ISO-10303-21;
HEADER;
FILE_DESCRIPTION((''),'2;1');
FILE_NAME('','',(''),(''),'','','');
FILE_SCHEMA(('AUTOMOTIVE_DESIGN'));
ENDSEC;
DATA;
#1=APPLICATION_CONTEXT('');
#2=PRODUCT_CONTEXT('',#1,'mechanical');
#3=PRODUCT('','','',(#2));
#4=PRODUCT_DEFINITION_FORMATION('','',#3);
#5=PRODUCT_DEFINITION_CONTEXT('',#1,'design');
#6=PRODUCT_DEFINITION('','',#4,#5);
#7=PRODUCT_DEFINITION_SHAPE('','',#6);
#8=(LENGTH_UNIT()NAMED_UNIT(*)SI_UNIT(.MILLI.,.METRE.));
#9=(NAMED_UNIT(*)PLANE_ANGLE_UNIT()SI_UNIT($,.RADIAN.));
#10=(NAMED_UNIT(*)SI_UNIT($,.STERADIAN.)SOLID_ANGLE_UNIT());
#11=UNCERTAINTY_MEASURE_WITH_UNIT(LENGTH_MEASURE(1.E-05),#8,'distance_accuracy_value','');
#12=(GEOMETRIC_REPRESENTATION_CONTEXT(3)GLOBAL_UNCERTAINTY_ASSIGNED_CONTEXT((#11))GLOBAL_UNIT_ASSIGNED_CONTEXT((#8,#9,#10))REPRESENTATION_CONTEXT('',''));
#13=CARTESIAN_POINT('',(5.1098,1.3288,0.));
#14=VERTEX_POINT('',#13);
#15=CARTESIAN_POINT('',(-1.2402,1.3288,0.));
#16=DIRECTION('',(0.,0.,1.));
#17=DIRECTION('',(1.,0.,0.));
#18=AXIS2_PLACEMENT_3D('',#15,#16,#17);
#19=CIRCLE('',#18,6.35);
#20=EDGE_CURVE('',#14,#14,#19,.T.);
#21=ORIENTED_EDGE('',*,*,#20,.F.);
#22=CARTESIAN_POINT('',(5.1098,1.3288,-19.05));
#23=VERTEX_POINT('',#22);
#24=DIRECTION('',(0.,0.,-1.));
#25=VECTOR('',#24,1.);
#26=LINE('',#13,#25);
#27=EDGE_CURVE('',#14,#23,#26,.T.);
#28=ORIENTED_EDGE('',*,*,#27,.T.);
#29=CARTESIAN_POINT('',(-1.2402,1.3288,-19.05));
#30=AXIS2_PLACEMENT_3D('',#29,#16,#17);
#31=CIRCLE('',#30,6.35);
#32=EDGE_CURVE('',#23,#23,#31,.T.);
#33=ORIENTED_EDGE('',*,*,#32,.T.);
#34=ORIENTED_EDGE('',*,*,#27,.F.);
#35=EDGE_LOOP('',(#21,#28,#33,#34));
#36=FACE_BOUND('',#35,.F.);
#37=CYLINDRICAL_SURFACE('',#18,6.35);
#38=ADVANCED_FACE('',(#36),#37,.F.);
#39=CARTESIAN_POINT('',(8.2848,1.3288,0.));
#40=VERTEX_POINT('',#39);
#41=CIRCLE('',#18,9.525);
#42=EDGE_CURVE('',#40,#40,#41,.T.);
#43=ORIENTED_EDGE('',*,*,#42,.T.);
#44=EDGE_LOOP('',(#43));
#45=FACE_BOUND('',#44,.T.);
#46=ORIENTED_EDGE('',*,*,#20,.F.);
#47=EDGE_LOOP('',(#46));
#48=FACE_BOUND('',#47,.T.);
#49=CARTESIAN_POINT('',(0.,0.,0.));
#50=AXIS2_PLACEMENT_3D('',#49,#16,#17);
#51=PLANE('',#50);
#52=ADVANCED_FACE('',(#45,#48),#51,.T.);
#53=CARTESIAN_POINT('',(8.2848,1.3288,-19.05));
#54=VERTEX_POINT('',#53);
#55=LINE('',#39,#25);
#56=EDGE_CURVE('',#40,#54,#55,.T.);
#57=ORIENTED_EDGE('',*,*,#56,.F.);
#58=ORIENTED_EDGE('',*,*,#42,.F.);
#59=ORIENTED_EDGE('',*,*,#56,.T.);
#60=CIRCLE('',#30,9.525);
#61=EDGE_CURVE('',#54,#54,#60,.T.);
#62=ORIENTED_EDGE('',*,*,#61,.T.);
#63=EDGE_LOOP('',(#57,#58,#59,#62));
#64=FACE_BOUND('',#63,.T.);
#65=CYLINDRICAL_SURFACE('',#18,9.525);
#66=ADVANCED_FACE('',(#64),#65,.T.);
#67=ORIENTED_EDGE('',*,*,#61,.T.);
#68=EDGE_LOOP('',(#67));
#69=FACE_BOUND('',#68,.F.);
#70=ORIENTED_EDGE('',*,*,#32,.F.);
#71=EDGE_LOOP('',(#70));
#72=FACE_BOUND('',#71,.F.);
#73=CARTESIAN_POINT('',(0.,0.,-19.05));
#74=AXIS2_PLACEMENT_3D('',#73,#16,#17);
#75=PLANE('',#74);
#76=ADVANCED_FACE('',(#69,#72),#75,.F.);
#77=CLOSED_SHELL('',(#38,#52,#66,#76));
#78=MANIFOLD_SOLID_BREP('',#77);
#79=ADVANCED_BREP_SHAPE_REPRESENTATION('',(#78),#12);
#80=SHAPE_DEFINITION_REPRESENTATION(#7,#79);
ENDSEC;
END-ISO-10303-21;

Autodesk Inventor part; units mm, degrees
ref_plane "YZ Plane" through (0, 0, 0) normal (1, 0, 0) x (0, 1, 0)
ref_plane "XZ Plane" through (0, 0, 0) normal (0, 1, 0) x (-1, 0, 0)
ref_plane "XY Plane" through (0, 0, 0) normal (0, 0, 1) x (1, 0, 0)
sketch "Sketch1" plane through (0, 0, 0) normal (0, 0, 1) x (1, 0, 0)
  circle A0 centre (-1.2402, 1.3288) radius 6.35
  circle A1 centre (-1.2402, 1.3288) radius 9.525
  dimension "d0" = 12.7
  dimension "d1" = 3.175
extrude "Extrusion1" add sketch "Sketch1" against normal blind 19.05
properties part number ".75in Spacer"
